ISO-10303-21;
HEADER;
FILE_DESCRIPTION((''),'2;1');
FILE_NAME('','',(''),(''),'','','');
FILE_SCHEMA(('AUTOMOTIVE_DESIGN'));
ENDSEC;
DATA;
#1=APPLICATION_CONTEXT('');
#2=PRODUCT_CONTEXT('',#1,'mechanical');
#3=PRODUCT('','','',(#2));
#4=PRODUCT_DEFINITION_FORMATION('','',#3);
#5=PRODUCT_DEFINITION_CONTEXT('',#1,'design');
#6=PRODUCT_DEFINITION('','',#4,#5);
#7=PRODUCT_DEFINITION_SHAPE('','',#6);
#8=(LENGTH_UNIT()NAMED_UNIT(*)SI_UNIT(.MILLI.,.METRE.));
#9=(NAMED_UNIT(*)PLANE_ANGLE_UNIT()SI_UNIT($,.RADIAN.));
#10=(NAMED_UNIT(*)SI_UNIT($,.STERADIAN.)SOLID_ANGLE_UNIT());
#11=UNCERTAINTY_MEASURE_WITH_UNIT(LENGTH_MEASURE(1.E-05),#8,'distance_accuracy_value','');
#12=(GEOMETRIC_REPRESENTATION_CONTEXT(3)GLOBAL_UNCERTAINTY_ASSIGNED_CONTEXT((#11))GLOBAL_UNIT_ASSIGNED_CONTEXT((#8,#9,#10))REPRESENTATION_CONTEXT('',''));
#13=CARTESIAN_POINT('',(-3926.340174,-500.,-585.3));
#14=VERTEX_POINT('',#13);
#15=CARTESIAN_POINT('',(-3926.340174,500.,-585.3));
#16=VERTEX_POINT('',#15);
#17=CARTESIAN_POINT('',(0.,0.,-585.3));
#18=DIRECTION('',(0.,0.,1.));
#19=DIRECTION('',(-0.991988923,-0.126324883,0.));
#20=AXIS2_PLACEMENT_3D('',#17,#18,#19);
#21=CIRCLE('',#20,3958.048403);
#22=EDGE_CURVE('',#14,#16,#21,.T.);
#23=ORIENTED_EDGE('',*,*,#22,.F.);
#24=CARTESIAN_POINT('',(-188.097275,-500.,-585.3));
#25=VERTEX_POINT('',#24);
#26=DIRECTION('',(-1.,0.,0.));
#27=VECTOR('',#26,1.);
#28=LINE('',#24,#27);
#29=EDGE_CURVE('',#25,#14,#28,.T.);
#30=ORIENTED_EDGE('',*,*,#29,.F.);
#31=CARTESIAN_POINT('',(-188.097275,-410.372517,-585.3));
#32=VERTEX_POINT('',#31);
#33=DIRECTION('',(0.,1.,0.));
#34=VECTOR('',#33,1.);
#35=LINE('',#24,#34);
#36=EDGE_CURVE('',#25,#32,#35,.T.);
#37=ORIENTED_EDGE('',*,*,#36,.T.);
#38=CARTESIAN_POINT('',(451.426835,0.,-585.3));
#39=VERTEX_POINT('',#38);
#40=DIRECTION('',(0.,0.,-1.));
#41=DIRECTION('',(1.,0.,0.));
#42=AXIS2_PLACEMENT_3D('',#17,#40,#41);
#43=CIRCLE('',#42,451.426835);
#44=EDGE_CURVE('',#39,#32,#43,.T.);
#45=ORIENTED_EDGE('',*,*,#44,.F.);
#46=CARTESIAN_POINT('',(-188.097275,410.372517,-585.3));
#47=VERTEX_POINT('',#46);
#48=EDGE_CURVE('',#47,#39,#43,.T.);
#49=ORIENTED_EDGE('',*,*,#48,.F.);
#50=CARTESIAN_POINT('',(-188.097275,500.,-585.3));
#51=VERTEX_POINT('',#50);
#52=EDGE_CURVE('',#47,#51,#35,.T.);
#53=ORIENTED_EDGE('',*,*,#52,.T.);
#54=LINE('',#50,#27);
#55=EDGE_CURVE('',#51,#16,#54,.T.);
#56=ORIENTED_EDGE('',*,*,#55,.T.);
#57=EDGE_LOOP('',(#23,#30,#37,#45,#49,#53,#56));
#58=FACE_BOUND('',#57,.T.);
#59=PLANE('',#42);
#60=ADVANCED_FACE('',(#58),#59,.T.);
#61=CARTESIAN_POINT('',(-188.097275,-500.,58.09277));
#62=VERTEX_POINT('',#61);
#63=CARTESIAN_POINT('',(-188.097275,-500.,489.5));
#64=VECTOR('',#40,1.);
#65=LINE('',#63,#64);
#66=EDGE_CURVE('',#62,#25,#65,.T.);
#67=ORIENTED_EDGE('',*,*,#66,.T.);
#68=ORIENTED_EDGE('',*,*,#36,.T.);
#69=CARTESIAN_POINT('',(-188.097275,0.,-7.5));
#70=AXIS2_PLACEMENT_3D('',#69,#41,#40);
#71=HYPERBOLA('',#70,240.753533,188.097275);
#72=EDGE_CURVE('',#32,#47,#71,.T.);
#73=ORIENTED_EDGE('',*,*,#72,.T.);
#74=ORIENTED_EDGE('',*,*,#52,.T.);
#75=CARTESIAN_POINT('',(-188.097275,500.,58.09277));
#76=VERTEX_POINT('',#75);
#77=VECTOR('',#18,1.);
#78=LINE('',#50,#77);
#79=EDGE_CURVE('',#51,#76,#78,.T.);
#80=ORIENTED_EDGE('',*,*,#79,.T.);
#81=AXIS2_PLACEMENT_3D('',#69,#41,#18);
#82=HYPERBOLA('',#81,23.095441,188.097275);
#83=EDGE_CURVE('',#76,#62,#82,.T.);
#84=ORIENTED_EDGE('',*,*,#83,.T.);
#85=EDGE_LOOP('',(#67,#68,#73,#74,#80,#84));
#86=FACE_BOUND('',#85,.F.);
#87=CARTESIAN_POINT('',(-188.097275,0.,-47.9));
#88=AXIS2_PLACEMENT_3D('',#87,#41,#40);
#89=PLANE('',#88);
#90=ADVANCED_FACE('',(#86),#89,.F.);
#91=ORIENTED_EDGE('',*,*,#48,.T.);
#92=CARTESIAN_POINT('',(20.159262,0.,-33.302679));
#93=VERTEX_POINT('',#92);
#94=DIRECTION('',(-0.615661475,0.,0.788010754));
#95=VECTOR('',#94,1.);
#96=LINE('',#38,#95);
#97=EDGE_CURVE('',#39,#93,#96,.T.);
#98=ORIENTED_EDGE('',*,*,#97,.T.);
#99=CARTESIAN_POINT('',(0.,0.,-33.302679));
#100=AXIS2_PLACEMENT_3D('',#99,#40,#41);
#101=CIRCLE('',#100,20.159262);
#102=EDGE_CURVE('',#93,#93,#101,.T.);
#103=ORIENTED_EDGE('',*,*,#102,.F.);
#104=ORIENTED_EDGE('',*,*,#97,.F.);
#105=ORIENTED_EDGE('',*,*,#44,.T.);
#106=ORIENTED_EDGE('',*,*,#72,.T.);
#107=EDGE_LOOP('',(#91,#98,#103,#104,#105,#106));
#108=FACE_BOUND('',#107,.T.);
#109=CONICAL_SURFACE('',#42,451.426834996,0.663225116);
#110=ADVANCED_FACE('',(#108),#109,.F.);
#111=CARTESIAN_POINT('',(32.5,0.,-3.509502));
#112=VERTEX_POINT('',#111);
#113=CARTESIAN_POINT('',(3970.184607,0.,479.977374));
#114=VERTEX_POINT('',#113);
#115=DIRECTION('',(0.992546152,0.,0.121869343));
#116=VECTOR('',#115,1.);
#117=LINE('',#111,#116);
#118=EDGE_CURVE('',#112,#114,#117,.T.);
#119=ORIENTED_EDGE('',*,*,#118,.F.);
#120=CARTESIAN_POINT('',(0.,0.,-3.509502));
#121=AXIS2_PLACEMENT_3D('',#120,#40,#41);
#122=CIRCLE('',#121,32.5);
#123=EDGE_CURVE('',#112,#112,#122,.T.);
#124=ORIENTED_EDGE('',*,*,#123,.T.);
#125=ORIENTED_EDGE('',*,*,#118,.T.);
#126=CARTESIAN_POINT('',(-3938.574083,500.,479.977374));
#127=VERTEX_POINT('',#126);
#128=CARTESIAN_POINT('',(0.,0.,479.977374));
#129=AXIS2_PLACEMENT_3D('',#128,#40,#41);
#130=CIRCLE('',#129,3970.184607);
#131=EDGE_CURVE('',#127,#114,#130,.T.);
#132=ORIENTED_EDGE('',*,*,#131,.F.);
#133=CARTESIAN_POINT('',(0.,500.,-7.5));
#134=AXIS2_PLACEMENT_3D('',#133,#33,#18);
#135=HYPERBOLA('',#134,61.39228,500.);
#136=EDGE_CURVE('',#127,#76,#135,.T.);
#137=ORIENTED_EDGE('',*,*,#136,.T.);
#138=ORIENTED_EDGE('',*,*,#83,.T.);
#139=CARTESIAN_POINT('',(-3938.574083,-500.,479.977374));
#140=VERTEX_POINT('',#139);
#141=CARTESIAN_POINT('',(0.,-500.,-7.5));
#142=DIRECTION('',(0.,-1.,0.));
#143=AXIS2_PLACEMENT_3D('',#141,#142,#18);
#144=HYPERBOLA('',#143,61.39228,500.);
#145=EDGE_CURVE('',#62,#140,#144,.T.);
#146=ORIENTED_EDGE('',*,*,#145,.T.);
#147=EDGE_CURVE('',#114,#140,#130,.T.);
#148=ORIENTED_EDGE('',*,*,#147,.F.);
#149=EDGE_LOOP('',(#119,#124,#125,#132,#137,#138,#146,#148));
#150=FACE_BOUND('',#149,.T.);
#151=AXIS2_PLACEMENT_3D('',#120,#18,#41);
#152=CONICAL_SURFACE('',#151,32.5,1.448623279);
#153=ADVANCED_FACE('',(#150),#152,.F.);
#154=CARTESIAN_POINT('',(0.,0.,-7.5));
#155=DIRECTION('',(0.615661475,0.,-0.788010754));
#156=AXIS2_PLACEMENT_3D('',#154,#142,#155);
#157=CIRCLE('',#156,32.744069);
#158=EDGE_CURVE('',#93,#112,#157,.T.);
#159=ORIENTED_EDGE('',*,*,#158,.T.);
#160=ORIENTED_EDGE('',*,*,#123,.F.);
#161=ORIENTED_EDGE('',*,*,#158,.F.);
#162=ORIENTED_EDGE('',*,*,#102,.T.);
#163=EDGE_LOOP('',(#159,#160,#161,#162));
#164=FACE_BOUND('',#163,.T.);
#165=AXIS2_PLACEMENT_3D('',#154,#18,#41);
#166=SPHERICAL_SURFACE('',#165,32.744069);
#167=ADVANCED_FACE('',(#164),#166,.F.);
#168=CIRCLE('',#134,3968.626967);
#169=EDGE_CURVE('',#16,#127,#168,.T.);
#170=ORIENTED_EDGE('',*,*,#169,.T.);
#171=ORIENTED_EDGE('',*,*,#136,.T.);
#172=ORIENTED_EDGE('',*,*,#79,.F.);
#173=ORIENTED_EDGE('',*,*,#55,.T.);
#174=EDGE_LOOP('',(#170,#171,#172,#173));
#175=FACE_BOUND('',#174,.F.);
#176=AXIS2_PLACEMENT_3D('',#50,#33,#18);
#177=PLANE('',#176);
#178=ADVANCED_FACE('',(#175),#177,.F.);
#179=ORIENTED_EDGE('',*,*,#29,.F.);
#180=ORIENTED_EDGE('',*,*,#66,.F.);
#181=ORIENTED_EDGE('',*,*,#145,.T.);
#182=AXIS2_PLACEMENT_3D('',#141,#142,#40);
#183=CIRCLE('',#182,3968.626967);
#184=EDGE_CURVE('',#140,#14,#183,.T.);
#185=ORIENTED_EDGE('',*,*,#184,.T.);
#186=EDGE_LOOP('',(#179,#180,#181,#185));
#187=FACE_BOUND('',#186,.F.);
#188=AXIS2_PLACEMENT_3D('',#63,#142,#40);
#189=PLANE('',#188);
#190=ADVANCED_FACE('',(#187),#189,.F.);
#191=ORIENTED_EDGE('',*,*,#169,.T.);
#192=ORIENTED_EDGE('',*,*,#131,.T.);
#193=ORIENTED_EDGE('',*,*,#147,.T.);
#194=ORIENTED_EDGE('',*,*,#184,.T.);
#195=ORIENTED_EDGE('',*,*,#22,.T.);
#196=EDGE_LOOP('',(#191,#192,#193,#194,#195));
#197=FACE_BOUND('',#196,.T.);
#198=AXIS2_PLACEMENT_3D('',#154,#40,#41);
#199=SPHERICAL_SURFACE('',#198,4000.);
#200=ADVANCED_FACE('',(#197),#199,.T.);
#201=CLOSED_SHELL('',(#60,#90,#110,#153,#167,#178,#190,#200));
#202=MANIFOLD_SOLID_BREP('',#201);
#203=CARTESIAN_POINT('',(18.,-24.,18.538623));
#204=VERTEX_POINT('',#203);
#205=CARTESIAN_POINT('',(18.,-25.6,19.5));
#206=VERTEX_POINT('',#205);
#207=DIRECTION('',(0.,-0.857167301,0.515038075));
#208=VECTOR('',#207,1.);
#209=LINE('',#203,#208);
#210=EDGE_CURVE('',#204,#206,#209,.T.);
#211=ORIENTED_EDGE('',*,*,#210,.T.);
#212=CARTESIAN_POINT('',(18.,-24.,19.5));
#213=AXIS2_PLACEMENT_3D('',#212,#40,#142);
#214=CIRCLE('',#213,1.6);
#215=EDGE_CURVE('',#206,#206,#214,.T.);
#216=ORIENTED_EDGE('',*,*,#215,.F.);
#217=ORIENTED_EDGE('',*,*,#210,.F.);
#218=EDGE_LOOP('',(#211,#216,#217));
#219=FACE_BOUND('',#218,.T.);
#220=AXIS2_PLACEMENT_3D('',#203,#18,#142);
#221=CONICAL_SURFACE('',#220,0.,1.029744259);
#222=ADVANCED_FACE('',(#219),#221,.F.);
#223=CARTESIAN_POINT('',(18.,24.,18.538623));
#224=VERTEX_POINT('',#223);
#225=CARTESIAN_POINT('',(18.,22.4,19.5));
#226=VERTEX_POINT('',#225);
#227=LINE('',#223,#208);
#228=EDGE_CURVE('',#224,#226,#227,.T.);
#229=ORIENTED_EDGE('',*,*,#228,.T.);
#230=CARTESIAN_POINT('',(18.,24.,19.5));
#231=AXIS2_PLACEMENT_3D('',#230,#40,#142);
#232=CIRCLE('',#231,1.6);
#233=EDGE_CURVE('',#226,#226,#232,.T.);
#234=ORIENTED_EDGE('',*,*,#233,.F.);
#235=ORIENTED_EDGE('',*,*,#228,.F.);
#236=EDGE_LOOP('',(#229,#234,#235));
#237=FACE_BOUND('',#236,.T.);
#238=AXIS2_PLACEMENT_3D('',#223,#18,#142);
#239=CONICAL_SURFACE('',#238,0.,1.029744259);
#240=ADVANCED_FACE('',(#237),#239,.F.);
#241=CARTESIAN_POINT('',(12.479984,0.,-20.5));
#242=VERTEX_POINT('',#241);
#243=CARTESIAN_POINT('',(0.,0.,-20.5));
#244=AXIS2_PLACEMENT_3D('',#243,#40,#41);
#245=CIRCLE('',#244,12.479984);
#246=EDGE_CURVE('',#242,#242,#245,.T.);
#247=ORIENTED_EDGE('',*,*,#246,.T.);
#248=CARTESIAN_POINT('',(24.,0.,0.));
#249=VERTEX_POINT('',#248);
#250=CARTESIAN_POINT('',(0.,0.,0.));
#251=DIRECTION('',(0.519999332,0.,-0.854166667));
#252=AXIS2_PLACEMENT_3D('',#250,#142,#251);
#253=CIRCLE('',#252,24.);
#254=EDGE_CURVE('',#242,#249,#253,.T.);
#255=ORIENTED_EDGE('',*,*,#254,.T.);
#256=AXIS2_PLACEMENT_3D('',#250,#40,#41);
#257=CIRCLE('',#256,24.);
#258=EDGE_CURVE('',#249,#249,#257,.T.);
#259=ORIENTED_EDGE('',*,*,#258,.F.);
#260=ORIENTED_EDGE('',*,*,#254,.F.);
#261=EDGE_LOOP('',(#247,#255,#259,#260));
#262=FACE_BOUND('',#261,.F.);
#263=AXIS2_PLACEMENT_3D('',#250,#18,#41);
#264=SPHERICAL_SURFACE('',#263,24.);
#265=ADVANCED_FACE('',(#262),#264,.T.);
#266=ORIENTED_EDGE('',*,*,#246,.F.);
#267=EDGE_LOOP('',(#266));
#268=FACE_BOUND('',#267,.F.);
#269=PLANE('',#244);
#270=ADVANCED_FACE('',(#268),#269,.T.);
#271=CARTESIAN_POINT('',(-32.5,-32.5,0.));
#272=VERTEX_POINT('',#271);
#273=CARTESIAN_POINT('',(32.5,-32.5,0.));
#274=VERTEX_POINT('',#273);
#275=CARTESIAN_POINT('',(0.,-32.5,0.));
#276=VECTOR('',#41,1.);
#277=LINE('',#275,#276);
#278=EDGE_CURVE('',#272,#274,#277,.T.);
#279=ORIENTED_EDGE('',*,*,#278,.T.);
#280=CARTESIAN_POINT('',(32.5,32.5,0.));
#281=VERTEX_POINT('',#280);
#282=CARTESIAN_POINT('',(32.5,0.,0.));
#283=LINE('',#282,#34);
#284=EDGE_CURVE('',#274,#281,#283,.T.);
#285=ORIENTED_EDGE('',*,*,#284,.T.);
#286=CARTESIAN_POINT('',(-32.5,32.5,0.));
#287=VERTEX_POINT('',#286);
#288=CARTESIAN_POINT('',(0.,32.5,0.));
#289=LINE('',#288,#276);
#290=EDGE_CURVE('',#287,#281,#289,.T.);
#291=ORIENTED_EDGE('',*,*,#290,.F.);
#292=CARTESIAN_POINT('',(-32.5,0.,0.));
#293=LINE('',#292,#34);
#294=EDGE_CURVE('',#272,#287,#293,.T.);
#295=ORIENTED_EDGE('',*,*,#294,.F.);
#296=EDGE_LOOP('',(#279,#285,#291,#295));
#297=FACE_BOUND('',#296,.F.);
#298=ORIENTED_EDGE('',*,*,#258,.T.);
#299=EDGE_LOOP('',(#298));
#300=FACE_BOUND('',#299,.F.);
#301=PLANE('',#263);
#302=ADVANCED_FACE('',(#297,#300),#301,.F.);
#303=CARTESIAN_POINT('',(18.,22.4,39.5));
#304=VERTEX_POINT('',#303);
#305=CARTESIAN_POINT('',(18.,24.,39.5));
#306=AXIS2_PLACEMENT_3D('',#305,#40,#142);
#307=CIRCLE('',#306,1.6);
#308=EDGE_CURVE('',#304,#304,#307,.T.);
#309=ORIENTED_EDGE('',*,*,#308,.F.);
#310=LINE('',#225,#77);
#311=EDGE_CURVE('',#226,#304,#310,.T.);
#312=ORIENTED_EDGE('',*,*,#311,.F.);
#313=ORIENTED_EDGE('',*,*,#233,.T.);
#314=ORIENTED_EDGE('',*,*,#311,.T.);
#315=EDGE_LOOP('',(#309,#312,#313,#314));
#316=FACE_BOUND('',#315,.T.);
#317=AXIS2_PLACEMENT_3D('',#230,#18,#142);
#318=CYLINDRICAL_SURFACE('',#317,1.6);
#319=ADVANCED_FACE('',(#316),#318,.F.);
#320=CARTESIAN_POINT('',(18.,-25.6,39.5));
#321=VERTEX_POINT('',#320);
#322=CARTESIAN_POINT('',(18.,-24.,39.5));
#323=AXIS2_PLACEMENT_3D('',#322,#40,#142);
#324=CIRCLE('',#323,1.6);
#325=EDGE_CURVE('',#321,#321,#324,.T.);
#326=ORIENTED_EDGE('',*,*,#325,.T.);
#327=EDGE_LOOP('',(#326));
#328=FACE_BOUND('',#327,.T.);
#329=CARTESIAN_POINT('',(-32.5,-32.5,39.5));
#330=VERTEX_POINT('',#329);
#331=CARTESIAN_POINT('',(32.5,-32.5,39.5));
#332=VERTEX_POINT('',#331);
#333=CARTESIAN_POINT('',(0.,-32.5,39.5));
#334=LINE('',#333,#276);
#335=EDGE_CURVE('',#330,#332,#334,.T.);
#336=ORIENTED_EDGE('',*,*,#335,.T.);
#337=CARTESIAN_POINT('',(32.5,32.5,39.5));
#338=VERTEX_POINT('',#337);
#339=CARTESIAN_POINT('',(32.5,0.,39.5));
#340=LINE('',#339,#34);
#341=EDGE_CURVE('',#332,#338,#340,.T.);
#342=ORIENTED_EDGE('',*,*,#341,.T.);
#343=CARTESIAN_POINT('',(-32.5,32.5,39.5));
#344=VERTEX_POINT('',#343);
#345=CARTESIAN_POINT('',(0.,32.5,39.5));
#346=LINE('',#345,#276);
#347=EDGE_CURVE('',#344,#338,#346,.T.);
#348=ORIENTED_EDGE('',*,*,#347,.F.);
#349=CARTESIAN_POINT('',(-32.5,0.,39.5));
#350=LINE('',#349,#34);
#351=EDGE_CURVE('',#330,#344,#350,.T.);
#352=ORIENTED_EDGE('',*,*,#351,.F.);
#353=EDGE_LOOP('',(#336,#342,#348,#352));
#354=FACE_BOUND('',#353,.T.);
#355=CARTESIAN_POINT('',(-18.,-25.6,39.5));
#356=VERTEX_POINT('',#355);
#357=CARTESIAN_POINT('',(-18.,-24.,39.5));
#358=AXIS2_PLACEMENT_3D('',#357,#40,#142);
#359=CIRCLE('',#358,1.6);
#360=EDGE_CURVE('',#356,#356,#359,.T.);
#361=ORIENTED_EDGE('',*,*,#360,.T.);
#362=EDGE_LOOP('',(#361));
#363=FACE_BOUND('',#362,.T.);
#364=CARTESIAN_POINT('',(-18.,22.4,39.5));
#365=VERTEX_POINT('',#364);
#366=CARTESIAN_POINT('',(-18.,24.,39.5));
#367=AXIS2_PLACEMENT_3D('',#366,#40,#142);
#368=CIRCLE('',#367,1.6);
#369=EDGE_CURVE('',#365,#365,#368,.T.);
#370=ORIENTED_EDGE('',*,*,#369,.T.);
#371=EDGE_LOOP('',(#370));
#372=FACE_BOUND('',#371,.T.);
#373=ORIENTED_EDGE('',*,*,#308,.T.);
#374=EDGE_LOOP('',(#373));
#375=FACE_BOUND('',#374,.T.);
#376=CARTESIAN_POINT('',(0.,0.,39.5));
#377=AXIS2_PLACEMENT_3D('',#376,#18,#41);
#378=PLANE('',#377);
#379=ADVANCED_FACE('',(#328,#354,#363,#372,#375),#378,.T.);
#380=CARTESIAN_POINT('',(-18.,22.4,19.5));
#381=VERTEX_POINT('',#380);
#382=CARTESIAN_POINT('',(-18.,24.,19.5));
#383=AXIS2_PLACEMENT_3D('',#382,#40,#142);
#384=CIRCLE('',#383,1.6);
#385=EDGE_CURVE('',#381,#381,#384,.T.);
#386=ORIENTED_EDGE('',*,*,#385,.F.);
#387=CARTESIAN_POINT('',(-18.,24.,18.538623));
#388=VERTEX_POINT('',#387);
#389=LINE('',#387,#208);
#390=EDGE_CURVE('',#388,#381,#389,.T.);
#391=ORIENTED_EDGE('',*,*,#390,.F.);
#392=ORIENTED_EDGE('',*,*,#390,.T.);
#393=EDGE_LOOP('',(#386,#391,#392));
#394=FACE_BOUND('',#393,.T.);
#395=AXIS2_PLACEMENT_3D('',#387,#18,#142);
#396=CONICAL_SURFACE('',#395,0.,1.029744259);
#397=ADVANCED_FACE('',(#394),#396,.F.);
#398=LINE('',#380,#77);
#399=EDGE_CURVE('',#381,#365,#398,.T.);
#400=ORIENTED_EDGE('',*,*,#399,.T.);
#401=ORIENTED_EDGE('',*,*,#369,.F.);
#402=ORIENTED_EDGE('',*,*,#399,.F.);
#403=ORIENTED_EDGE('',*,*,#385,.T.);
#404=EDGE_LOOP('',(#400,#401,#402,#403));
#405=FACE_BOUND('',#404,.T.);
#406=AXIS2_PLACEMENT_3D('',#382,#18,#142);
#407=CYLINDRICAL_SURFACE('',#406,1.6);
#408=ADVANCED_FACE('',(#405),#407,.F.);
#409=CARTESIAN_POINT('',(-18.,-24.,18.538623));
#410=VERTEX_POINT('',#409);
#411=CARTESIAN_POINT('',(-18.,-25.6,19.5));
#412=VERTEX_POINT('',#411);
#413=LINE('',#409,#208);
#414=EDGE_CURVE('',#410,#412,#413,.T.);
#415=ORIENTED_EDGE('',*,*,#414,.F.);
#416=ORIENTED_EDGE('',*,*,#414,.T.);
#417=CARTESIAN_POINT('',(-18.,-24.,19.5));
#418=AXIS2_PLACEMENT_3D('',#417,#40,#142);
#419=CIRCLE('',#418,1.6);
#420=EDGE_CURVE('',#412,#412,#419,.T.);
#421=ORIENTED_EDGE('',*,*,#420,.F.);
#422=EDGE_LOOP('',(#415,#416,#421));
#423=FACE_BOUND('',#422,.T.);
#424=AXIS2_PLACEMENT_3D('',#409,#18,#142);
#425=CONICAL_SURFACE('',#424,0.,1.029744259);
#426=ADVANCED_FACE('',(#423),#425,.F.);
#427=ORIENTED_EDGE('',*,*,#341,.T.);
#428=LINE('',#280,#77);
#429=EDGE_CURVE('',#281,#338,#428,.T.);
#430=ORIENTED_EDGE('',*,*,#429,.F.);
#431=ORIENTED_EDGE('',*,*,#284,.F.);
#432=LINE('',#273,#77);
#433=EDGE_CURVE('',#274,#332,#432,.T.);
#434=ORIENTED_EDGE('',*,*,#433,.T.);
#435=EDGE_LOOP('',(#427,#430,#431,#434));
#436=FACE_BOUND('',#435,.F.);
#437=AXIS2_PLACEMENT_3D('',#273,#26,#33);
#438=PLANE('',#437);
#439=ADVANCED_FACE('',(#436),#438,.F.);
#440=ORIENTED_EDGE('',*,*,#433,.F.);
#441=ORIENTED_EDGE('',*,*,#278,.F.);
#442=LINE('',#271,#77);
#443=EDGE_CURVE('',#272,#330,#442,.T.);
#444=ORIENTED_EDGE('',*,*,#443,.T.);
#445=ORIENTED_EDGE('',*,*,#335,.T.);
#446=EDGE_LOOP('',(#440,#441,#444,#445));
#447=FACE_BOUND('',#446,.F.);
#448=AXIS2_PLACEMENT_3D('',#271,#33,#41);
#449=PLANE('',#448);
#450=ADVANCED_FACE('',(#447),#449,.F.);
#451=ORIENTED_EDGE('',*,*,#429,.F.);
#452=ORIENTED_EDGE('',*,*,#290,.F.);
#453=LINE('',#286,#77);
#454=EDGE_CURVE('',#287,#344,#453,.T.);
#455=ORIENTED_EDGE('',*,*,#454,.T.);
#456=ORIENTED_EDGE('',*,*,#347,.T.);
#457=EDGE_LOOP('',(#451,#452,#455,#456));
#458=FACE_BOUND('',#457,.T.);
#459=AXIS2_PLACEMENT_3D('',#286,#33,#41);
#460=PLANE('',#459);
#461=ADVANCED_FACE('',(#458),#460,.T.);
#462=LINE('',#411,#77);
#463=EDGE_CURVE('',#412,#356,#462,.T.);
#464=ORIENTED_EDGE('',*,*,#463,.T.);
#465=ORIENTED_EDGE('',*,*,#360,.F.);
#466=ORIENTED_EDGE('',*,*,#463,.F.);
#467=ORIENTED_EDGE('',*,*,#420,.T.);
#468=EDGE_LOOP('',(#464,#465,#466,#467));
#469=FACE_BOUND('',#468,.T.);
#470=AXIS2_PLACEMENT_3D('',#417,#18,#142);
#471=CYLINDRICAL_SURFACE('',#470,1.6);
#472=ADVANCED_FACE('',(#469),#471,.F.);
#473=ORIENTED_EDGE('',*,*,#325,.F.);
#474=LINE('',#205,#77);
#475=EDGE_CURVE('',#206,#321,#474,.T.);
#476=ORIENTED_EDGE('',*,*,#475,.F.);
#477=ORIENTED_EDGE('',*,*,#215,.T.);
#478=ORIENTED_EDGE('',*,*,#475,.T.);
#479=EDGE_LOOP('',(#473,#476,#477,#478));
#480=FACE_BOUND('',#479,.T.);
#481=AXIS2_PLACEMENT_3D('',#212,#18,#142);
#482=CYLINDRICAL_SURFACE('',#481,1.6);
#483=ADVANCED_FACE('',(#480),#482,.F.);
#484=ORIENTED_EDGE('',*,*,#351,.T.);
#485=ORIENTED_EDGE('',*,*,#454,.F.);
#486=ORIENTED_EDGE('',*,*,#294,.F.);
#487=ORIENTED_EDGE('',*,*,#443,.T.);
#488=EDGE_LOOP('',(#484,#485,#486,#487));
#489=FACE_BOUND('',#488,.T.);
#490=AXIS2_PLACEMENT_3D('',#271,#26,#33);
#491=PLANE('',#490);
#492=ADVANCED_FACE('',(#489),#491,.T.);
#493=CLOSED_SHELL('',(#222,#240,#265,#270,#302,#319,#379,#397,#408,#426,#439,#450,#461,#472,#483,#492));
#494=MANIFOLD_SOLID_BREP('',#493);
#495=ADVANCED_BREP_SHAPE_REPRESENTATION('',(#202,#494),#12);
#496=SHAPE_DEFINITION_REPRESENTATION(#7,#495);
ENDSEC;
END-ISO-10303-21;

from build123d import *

# Parameters (mm, degrees)
SCHIZZO1_W                    = 65
SCHIZZO1_H                    = 65
ESTRUSIONE_ESTRUSIONE1_DEPTH  = 39.5
TAGLIO_ESTRUSIONE6_DEPTH      = 5821.887808239
FORO_PER_VITE_M3_1_AT_2_COUNT = 2
FORO_PER_VITE_M3_1_AT_2_PITCH = 36
FORO_PER_VITE_M3_1_AT_3_COUNT = 2
FORO_PER_VITE_M3_1_AT_3_PITCH = 60
FORO_PER_VITE_M3_1_AT_4_COUNT = 2
FORO_PER_VITE_M3_1_AT_4_PITCH = 48


with BuildPart() as part:
    # Schizzo1 → Estrusione-Estrusione1 (new body)
    with BuildSketch(Plane.XY):
        Rectangle(SCHIZZO1_W, SCHIZZO1_H)
    extrude(amount=ESTRUSIONE_ESTRUSIONE1_DEPTH)

    # Schizzo2 → Rivoluzione1 (revolve)
    with BuildSketch(Plane(origin=(0, 0, 0), x_dir=(1, 0, 0), z_dir=(0, 1, 0))):
        with BuildLine():
            Line((0, 0), (0, 20.5))
            Line((0, 20.5), (12.479983974, 20.5))
            ThreePointArc((12.479983974, 20.5), (20.922710333, 11.757558943), (24, 0))
            Line((24, 0), (0, 0))
        make_face()
    revolve(axis=Axis((0, 0, 0), (0, 0, -1)))

    # Schizzo10 → Foro per Vite M3-1 (revolve, cut)
    with BuildSketch(Plane(origin=(18, 24, 39.5), x_dir=(0, -1, 0), z_dir=(1, 0, 0))):
        Polygon((0, 0), (0, 20.96137699), (1.6, 20), (1.6, 0), align=None)
    foro_per_vite_m3_1 = revolve(axis=Axis((18, 24, 45.85), (0, 0, -1)), mode=Mode.SUBTRACT)

    # Foro per Vite M3-1 at 2: Foro per Vite M3-1 ×2
    with Locations(*[(-i * FORO_PER_VITE_M3_1_AT_2_PITCH, 0, 0) for i in range(1, FORO_PER_VITE_M3_1_AT_2_COUNT)]):
        add(foro_per_vite_m3_1, mode=Mode.SUBTRACT)

    # Foro per Vite M3-1 at 3: Foro per Vite M3-1 ×2
    with Locations(*[Vector(-0.5999999999999999, -0.8, 0) * (i * FORO_PER_VITE_M3_1_AT_3_PITCH) for i in range(1, FORO_PER_VITE_M3_1_AT_3_COUNT)]):
        add(foro_per_vite_m3_1, mode=Mode.SUBTRACT)

    # Foro per Vite M3-1 at 4: Foro per Vite M3-1 ×2
    with Locations(*[(0, -i * FORO_PER_VITE_M3_1_AT_4_PITCH, 0) for i in range(1, FORO_PER_VITE_M3_1_AT_4_COUNT)]):
        add(foro_per_vite_m3_1, mode=Mode.SUBTRACT)


with BuildPart() as body_2:
    # Schizzo5 → Rivoluzione5 (revolve)
    with BuildSketch(Plane(origin=(0, 0, 0), x_dir=(1, 0, 0), z_dir=(0, 1, 0))):
        with BuildLine():
            Line((32.5, 3.509501771), (3970.184606565, -479.977373621))
            ThreePointArc((3970.184606565, -479.977373621), (3999.74044582, 53.06715998), (3958.048402938, 585.3))
            Line((3958.048402938, 585.3), (451.426834996, 585.3))
            Line((451.426834996, 585.3), (20.15926203, 33.302678747))
            ThreePointArc((20.15926203, 33.302678747), (30.251575463, 20.03061284), (32.5, 3.509501771))
        make_face()
    revolve(axis=Axis((0, 0, 992.5), (0, 0, -1)))

    # Schizzo7 → Taglio-Estrusione6 (cut, through all)
    with BuildSketch(Plane(origin=(-188.097275149, 0, 0), x_dir=(0, 0, -1), z_dir=(1, 0, 0))):
        Polygon((585.3, -500), (585.3, 500), (60.5, 500), (-139.5, 500), (-489.5, 500), (-489.5, -500), (-139.5, -500), (60.5, -500), align=None)
    extrude(amount=-TAGLIO_ESTRUSIONE6_DEPTH, mode=Mode.SUBTRACT)


solid = Compound([part.part, body_2.part])
